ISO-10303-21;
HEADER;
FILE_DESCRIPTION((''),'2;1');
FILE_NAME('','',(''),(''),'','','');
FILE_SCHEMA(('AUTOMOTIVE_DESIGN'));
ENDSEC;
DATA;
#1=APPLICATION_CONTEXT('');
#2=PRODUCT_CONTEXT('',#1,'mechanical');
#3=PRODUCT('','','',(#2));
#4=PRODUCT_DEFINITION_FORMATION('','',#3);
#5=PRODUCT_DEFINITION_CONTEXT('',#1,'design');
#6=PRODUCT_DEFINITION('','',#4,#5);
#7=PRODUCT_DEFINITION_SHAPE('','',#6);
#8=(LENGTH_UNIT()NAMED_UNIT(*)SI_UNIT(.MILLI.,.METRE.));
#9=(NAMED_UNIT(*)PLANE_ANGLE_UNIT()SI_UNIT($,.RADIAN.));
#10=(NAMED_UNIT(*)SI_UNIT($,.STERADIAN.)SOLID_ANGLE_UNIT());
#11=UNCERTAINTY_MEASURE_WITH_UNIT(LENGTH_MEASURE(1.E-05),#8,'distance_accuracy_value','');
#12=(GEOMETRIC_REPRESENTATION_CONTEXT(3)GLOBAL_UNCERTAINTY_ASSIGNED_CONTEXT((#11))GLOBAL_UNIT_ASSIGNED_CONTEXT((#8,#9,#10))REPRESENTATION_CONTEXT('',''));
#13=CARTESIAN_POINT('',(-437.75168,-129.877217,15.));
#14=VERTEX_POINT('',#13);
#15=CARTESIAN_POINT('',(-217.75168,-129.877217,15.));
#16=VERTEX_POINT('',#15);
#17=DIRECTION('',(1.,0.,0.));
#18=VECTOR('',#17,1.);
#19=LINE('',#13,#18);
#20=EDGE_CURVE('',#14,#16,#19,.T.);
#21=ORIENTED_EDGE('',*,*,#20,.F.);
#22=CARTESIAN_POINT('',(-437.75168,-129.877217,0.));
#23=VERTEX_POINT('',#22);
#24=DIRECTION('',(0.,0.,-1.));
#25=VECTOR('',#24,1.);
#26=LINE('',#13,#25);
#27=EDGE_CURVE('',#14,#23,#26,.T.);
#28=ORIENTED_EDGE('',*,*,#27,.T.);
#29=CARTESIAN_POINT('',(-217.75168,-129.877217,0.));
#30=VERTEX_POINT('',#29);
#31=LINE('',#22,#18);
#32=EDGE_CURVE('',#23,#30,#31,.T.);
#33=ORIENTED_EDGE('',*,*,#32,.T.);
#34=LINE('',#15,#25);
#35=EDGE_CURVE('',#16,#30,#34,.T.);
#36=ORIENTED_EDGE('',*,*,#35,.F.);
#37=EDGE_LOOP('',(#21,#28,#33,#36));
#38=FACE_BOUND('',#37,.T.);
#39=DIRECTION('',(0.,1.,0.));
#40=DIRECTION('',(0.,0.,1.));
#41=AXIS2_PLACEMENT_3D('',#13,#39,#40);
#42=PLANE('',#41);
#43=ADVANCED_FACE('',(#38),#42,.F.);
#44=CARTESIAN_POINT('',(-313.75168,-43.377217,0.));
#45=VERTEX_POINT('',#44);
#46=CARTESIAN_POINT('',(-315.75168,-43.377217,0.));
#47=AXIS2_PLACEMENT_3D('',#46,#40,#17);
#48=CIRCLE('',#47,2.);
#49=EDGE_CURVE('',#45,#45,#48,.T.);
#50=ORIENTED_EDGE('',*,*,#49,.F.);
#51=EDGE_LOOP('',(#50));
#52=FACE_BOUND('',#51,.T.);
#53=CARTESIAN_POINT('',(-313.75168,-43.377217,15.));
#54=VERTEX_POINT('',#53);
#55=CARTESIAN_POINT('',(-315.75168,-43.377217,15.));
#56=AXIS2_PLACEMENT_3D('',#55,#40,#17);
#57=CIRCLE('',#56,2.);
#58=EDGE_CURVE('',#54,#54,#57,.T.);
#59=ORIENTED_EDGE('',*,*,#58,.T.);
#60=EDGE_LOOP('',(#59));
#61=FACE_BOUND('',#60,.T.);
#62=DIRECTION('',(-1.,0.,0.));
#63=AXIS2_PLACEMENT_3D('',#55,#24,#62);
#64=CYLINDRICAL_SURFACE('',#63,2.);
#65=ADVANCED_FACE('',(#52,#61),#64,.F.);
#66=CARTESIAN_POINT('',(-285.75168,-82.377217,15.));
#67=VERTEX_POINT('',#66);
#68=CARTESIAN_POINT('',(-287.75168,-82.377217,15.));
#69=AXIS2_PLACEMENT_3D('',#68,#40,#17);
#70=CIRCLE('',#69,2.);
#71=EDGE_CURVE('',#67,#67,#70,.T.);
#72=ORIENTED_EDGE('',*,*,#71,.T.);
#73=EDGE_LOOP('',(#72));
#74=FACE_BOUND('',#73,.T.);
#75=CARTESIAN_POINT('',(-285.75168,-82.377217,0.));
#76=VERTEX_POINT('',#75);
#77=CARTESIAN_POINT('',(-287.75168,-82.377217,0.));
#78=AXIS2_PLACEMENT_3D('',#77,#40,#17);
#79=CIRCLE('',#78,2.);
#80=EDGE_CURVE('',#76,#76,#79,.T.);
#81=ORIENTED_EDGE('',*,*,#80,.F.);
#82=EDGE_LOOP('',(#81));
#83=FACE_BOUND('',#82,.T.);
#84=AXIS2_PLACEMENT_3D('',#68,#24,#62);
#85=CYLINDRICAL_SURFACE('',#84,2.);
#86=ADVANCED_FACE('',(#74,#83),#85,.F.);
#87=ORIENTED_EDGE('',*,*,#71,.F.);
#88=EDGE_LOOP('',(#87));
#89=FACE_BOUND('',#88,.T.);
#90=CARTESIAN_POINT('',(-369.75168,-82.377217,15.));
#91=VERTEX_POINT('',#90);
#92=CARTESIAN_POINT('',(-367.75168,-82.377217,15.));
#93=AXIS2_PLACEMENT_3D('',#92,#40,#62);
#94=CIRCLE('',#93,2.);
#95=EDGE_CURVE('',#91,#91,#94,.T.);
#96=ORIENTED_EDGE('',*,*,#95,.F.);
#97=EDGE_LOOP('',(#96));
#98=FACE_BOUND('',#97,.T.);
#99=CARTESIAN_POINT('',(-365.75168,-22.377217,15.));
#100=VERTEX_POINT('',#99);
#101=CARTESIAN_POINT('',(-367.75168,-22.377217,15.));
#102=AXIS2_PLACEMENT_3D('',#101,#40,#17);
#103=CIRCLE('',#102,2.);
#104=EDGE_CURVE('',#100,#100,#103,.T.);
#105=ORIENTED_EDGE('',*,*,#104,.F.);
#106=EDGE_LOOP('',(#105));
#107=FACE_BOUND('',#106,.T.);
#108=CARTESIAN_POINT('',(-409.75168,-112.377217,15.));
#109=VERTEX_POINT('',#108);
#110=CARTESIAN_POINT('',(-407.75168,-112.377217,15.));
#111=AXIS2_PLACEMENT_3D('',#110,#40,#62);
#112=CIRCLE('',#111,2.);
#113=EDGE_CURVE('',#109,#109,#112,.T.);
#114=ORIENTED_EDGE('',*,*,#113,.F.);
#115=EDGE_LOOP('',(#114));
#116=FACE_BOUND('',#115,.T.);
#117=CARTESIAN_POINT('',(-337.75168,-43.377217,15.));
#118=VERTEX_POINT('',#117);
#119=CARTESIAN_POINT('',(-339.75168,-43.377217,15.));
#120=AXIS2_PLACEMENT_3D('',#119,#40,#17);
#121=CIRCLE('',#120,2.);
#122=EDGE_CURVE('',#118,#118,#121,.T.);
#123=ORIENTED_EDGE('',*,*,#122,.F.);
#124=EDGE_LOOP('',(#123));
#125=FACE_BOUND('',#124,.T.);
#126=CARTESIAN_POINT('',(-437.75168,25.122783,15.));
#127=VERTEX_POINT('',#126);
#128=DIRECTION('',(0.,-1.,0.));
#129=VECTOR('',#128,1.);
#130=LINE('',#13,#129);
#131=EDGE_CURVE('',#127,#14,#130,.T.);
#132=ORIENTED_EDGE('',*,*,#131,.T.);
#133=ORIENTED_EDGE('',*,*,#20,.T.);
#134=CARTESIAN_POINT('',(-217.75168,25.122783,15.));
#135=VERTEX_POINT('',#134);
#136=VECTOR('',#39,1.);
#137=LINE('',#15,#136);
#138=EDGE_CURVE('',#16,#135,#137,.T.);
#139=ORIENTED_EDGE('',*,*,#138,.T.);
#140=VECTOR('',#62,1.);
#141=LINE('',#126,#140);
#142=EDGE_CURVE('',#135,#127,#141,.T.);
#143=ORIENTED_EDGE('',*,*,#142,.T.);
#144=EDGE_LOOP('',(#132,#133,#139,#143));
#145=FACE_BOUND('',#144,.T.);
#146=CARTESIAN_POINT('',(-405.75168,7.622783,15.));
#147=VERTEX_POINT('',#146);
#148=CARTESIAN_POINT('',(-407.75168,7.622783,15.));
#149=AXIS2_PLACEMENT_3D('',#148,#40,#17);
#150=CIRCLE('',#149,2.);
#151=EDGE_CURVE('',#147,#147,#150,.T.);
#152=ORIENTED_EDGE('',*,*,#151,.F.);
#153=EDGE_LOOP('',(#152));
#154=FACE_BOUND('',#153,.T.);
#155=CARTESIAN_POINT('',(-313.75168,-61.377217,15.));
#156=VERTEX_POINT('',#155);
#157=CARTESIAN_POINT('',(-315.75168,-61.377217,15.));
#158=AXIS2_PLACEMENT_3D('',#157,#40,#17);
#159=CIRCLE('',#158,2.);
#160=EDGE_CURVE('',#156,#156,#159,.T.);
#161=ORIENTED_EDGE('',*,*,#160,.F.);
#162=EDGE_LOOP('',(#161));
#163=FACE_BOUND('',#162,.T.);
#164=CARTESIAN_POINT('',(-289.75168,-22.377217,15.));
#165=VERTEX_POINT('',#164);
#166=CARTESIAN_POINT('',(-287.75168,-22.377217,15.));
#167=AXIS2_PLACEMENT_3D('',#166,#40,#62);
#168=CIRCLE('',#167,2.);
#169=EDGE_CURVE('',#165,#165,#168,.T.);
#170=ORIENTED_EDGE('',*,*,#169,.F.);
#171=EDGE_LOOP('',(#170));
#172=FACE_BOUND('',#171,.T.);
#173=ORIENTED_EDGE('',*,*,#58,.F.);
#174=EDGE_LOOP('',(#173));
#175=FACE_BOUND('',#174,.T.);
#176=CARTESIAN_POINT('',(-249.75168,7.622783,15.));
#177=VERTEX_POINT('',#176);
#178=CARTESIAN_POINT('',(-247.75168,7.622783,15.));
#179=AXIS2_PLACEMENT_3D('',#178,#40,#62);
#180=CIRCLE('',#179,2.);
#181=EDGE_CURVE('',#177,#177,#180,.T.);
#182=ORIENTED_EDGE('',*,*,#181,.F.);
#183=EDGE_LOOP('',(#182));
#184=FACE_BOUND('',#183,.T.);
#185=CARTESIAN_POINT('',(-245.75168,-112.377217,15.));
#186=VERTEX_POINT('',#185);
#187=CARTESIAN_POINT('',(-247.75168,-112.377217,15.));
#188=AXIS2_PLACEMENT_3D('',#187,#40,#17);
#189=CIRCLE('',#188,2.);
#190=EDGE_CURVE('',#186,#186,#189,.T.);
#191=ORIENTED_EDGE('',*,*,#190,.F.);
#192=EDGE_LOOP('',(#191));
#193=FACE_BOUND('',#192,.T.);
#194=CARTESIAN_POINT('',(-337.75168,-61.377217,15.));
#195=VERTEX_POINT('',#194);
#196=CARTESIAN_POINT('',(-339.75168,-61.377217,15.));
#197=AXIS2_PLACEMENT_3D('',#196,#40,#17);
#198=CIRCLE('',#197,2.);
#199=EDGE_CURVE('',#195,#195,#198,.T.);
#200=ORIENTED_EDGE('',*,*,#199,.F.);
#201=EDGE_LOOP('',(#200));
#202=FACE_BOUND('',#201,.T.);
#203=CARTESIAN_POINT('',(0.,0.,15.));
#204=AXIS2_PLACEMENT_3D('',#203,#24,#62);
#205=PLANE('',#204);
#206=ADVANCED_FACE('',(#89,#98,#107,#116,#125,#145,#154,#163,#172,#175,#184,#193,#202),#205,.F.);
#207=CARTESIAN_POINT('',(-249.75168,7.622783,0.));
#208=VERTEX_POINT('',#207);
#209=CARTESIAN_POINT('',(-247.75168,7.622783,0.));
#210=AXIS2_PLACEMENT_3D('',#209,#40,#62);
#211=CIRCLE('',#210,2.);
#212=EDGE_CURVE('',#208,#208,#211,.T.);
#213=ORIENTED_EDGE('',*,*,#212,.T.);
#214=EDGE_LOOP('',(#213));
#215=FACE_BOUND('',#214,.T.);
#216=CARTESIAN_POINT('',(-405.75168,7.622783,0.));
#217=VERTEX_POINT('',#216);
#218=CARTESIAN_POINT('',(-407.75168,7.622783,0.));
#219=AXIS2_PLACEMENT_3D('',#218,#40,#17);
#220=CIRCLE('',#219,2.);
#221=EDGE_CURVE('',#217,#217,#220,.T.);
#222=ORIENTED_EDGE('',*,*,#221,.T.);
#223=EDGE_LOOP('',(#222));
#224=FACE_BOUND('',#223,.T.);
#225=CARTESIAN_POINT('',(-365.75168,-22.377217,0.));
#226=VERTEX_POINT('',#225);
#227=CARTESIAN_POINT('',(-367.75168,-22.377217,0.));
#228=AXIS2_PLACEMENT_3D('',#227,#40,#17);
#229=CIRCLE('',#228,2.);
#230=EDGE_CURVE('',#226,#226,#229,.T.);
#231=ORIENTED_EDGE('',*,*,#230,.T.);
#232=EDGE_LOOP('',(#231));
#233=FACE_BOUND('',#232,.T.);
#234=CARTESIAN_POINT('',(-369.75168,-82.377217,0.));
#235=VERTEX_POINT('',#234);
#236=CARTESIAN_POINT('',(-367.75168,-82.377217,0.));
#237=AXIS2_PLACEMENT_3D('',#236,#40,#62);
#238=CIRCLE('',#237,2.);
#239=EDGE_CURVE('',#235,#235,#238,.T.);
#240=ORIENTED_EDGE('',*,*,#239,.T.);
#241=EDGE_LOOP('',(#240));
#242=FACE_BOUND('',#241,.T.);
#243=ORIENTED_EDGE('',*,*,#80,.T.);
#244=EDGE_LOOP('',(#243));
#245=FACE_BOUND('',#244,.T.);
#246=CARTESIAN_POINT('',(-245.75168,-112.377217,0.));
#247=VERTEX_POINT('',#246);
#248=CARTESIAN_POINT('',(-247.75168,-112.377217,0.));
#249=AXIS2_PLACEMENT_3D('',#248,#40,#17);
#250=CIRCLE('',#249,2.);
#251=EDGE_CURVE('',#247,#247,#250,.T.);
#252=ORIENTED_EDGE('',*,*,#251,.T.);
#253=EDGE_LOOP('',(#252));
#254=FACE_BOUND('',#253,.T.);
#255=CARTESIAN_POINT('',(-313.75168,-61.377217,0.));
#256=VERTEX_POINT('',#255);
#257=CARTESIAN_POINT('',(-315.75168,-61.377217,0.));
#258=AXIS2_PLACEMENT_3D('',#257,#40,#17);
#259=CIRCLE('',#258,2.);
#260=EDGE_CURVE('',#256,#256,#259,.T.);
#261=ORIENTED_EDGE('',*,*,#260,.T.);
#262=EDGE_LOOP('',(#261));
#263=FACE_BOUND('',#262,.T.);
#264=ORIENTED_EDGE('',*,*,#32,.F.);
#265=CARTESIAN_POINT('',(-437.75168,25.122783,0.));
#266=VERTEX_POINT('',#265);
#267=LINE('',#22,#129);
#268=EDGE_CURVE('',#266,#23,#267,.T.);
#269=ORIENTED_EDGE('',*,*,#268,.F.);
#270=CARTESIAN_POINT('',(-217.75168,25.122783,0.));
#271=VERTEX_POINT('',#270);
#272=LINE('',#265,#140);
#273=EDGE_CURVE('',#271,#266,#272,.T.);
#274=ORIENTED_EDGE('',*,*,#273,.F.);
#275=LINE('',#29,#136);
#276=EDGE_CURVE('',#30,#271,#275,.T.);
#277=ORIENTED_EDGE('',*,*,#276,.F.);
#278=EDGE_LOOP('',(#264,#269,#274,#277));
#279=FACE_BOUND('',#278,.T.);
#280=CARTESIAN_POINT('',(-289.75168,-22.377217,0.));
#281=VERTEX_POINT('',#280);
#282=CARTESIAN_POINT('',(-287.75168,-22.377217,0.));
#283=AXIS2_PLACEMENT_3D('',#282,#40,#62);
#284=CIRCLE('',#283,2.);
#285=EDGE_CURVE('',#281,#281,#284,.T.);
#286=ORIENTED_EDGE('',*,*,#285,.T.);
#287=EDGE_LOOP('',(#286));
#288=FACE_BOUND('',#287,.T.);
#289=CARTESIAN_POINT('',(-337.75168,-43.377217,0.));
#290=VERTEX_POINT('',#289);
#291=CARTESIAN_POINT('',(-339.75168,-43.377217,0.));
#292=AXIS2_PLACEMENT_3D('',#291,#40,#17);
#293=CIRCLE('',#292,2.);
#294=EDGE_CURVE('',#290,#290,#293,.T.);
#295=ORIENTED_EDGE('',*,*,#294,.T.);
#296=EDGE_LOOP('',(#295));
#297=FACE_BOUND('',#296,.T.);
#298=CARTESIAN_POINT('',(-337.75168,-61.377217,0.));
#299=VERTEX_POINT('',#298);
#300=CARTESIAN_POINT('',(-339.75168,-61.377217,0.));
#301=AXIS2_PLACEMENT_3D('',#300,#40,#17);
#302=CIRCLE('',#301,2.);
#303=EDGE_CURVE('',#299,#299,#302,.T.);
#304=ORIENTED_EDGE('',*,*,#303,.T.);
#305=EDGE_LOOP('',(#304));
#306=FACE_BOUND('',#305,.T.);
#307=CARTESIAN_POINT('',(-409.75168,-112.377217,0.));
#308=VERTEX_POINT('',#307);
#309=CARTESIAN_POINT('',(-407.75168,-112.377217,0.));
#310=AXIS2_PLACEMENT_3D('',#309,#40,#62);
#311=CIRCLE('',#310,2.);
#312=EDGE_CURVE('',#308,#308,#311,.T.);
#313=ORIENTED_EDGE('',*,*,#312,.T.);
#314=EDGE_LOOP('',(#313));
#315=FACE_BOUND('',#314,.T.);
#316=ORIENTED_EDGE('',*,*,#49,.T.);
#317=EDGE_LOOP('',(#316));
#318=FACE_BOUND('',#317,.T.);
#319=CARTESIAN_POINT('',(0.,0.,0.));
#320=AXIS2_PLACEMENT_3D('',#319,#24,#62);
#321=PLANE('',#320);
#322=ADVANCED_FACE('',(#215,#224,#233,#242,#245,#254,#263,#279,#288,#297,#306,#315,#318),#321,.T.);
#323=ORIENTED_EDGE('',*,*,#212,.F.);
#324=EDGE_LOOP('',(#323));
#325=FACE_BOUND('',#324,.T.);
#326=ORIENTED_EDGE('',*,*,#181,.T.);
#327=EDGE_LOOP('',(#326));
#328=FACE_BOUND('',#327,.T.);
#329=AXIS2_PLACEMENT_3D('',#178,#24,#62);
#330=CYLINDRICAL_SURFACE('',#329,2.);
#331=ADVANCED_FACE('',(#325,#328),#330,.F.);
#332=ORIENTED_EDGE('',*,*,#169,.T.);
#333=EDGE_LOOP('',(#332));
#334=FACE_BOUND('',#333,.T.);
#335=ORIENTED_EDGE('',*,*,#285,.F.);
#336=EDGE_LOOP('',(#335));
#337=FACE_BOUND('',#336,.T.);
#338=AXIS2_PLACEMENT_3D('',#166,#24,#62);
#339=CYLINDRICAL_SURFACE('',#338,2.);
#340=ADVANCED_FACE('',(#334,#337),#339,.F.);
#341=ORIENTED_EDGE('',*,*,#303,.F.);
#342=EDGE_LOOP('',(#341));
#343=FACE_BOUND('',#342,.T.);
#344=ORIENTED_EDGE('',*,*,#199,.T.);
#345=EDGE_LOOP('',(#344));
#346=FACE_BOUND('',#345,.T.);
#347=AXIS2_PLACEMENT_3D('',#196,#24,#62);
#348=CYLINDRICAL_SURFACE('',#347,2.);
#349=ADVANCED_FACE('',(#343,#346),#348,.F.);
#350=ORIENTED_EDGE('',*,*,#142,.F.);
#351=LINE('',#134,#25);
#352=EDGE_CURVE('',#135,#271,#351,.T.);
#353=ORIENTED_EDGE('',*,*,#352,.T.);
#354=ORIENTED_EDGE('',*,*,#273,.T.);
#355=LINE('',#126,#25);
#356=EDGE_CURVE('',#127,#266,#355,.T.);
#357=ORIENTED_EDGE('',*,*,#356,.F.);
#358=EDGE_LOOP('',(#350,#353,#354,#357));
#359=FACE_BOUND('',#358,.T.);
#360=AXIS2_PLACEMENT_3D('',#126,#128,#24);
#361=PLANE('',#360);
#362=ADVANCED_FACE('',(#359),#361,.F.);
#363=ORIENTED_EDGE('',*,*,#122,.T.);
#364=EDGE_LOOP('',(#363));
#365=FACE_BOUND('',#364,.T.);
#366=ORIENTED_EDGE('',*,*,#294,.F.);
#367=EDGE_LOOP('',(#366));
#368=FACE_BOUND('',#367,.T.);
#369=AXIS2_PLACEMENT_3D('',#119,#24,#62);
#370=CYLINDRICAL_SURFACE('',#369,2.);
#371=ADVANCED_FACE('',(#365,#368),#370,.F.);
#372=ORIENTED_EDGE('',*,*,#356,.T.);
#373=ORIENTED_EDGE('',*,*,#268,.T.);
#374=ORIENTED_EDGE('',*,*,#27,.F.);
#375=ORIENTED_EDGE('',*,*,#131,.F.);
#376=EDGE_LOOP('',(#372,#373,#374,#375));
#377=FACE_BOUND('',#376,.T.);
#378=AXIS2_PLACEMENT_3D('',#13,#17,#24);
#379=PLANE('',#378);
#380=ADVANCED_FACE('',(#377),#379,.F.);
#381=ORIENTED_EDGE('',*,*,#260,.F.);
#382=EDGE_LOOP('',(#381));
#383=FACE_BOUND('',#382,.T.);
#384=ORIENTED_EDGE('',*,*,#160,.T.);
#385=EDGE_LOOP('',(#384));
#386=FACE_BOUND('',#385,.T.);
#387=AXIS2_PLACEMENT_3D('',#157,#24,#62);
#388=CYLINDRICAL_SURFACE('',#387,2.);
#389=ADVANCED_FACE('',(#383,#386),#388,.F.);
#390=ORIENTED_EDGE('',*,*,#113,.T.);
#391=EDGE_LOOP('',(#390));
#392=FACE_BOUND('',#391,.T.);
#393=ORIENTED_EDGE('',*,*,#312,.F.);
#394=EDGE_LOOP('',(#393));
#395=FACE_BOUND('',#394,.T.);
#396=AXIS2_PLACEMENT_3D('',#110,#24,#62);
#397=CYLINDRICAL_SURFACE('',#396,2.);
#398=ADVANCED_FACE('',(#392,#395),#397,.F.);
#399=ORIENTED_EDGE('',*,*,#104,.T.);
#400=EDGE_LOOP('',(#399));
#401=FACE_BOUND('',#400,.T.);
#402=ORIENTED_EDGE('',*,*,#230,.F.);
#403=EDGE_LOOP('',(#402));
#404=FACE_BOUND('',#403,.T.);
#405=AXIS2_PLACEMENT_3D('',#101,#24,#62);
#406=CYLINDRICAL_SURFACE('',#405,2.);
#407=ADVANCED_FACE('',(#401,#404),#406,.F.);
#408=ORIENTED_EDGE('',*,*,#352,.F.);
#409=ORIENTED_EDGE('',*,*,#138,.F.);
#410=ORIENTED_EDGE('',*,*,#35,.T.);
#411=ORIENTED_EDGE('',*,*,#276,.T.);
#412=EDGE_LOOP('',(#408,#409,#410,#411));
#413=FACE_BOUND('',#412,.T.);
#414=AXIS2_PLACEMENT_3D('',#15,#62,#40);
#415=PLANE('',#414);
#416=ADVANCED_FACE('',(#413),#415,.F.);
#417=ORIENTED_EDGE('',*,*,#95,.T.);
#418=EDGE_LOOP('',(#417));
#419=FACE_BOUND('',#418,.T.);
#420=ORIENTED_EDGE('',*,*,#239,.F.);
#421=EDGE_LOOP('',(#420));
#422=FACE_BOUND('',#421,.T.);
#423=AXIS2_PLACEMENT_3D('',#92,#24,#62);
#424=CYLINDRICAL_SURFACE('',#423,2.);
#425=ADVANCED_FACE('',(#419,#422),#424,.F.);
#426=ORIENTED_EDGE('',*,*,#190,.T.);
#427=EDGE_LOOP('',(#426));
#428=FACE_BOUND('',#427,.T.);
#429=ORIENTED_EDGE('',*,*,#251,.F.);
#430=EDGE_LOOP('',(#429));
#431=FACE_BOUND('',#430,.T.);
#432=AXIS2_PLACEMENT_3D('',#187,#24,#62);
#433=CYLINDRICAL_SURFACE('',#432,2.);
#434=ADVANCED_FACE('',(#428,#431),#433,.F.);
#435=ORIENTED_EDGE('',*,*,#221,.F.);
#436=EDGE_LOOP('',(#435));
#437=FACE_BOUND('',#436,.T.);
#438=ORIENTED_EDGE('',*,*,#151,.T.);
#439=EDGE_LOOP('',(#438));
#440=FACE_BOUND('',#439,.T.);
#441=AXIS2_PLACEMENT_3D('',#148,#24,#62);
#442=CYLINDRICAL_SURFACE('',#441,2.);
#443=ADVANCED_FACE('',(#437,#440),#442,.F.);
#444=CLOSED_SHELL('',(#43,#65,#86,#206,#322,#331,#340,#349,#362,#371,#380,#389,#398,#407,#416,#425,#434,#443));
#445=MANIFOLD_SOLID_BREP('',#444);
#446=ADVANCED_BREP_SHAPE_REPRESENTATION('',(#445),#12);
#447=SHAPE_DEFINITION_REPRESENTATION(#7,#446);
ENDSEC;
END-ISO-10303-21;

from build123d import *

# Parameters (mm, degrees)
SKETCH1_W           = 220
SKETCH1_H           = 155
SKETCH1_R           = 2
BOSS_EXTRUDE1_DEPTH = 15


with BuildPart() as part:
    # Sketch1 → Boss-Extrude1 (new body)
    with BuildSketch(Plane.XY):
        with Locations((-327.751680005, -52.377216901)):
            Rectangle(SKETCH1_W, SKETCH1_H)
        with Locations((-315.751680005, -61.377216901)):
            Circle(SKETCH1_R, mode=Mode.SUBTRACT)
        with Locations((-339.751680005, -61.377216901)):
            Circle(SKETCH1_R, mode=Mode.SUBTRACT)
        with Locations((-315.751680005, -43.377216901)):
            Circle(SKETCH1_R, mode=Mode.SUBTRACT)
        with Locations((-339.751680005, -43.377216901)):
            Circle(SKETCH1_R, mode=Mode.SUBTRACT)
        with Locations((-247.751680005, -112.377216901)):
            Circle(SKETCH1_R, mode=Mode.SUBTRACT)
        with Locations((-407.751680005, -112.377216901)):
            Circle(SKETCH1_R, mode=Mode.SUBTRACT)
        with Locations((-247.751680005, 7.622783099)):
            Circle(SKETCH1_R, mode=Mode.SUBTRACT)
        with Locations((-407.751680005, 7.622783099)):
            Circle(SKETCH1_R, mode=Mode.SUBTRACT)
        with Locations((-287.751680005, -82.377216901)):
            Circle(SKETCH1_R, mode=Mode.SUBTRACT)
        with Locations((-367.751680005, -82.377216901)):
            Circle(SKETCH1_R, mode=Mode.SUBTRACT)
        with Locations((-287.751680005, -22.377216901)):
            Circle(SKETCH1_R, mode=Mode.SUBTRACT)
        with Locations((-367.751680005, -22.377216901)):
            Circle(SKETCH1_R, mode=Mode.SUBTRACT)
    extrude(amount=BOSS_EXTRUDE1_DEPTH)


solid = part.part
